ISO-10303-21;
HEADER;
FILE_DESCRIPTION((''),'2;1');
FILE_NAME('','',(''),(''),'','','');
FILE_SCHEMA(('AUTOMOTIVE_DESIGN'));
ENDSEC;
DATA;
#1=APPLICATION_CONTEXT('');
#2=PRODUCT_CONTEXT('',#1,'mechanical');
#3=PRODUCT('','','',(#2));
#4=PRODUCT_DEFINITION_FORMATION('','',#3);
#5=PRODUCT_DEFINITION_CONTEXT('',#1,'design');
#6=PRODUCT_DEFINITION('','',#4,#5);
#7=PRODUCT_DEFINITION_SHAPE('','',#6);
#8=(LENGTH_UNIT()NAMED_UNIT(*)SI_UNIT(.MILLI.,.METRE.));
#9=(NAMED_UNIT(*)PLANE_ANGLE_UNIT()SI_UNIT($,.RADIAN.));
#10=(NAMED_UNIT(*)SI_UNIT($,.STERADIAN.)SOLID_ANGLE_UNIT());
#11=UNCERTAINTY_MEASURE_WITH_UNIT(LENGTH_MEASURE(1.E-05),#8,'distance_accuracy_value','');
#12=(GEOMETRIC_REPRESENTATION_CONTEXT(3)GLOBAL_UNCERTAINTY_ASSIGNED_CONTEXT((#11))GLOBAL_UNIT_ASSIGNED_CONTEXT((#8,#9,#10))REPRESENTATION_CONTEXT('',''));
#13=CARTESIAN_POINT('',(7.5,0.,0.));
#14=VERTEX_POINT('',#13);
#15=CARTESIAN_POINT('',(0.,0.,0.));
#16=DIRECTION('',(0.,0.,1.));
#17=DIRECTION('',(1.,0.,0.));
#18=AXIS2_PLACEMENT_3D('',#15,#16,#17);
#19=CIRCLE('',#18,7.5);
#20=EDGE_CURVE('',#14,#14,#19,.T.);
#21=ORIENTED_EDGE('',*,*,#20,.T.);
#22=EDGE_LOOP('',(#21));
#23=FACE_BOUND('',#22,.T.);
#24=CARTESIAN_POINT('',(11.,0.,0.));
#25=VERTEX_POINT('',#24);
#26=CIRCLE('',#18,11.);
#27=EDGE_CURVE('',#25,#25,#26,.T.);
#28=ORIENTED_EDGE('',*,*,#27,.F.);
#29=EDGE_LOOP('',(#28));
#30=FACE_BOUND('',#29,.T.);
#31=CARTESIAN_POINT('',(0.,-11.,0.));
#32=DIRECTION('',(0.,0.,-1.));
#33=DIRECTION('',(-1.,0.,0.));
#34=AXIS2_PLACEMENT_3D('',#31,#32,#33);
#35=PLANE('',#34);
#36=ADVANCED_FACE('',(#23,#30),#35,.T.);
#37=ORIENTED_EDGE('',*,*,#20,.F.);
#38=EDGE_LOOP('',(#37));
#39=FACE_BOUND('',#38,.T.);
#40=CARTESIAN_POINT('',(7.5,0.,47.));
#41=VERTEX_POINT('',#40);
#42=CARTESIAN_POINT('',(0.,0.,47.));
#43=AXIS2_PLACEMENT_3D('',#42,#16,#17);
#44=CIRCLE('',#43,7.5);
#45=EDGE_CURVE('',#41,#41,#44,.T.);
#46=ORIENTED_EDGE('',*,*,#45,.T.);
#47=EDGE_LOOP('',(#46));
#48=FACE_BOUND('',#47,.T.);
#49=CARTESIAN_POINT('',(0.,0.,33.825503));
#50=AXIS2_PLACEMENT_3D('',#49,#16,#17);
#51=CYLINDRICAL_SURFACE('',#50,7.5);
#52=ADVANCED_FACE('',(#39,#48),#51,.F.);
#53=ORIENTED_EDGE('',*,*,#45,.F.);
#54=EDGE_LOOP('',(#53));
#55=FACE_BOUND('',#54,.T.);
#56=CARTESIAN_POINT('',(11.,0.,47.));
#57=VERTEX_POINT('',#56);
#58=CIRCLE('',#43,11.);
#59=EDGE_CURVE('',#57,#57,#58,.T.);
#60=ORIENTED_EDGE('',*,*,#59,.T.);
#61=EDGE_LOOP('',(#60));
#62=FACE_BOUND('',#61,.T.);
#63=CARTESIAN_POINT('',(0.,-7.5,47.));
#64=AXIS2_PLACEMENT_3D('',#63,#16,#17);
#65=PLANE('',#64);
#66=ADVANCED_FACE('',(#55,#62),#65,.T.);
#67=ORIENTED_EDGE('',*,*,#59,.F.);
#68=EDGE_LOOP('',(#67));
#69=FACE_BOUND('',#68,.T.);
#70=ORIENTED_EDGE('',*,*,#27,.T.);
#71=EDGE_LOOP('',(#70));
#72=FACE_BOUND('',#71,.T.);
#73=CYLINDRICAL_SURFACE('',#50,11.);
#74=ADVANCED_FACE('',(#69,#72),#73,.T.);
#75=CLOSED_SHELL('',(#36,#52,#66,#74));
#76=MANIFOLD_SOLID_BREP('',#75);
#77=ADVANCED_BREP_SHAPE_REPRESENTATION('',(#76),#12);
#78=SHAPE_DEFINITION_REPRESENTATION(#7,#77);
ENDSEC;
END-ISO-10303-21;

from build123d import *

# Parameters (mm, degrees)
SKETCH1_W = 47
SKETCH1_H = 3.5


with BuildPart() as part:
    # Sketch1 → Revolve1 (revolve)
    with BuildSketch(Plane(origin=(0, 0, 0), x_dir=(0, 0, -1), z_dir=(1, 0, 0)), mode=Mode.PRIVATE) as revolve1_sk:
        with Locations((-23.5, -9.25)):
            Rectangle(SKETCH1_W, SKETCH1_H)
    revolve(revolve1_sk.sketch.rotate(Axis((0, 0, 33.825503356), (0, 0, -1)), 270), axis=Axis((0, 0, 33.825503356), (0, 0, -1)))


solid = part.part
